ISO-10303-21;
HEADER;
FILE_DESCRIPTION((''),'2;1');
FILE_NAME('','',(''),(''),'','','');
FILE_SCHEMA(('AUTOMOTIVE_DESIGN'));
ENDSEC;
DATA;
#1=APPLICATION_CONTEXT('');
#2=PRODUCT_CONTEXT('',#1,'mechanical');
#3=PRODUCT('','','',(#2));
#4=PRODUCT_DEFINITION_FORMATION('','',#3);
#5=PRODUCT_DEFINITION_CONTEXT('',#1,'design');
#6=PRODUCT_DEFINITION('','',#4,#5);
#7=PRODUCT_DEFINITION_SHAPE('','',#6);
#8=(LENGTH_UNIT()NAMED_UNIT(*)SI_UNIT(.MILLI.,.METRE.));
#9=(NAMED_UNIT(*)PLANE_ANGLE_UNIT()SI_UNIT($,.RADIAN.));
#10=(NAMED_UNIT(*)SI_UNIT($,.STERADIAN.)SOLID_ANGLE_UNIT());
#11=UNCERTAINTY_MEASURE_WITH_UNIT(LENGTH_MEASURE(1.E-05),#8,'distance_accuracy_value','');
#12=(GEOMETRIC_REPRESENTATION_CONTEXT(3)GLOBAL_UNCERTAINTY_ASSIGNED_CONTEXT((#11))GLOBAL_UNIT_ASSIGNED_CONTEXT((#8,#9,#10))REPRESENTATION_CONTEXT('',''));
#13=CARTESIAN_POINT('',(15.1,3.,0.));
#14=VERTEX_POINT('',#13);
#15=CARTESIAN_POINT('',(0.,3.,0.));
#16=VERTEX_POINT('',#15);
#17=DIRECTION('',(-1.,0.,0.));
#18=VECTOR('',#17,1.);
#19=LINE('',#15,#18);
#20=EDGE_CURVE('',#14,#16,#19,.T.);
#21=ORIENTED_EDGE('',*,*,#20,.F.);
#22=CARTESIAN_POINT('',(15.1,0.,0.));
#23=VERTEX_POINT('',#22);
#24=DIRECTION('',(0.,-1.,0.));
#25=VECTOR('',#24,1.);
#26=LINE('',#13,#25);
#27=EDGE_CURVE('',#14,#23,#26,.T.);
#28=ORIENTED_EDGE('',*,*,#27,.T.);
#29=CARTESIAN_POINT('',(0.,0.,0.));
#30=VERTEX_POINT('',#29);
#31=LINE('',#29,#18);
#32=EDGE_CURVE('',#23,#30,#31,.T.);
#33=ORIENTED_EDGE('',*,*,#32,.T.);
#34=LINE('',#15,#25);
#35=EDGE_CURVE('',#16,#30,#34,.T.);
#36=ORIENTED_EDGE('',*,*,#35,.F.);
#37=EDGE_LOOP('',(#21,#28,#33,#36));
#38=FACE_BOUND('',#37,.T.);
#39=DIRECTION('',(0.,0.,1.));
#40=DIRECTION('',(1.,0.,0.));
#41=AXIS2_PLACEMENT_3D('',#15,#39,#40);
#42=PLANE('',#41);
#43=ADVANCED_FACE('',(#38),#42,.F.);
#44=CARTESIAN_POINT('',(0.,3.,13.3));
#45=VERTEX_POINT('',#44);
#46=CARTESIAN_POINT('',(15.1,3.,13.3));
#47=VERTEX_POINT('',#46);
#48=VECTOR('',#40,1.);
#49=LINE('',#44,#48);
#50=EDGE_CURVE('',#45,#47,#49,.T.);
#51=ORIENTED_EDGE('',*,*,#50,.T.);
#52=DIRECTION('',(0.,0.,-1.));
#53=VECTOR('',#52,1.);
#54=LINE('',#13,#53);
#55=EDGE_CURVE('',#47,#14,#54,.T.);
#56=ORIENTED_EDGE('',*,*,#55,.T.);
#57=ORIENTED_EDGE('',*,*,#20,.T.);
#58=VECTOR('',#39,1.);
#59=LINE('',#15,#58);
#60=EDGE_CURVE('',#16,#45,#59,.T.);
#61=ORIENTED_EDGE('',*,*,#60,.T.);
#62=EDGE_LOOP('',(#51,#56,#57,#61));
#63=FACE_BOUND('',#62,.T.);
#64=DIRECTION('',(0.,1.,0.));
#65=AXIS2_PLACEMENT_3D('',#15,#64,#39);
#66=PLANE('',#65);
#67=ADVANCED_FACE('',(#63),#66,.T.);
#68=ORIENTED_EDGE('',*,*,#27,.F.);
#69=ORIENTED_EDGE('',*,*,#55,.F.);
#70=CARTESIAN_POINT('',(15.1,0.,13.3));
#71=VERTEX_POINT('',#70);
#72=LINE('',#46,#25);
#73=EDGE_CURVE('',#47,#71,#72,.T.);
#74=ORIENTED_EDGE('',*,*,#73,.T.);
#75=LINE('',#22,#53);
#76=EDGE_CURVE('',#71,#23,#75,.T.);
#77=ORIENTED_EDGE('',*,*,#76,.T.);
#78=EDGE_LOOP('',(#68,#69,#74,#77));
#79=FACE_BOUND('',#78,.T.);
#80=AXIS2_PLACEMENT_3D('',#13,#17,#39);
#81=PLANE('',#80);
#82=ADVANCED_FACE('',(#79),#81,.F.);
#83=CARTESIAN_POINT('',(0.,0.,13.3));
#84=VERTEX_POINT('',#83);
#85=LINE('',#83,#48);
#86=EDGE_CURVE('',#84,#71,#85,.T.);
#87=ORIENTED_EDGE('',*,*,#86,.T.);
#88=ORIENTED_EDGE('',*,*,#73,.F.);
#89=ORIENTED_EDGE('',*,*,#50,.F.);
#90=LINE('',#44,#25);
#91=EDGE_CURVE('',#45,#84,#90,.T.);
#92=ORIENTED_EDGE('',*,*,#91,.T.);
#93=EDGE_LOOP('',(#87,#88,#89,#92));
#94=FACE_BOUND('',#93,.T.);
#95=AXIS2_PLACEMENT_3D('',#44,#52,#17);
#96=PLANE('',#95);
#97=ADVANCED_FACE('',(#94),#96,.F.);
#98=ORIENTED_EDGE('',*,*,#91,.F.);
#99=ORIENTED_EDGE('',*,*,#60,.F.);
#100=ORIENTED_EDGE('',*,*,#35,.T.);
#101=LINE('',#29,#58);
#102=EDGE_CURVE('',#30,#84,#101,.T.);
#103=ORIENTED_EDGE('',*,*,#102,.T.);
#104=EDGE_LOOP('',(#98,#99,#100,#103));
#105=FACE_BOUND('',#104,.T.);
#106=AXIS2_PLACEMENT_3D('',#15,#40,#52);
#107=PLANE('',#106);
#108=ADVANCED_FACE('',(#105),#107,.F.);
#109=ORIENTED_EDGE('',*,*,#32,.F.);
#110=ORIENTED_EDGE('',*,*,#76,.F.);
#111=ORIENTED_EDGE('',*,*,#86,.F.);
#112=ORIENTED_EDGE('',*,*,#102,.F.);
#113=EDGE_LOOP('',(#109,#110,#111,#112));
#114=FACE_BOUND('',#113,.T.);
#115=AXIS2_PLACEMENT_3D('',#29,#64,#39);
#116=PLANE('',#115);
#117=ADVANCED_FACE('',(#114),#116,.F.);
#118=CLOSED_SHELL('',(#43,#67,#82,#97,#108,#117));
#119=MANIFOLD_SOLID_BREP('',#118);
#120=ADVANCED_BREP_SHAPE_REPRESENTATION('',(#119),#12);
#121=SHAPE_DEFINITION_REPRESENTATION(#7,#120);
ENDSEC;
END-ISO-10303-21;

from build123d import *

# Parameters (mm, degrees)
SKETCH1_W           = 15.1
SKETCH1_H           = 13.3
BOSS_EXTRUDE1_DEPTH = 3


with BuildPart() as part:
    # Sketch1 → Boss-Extrude1 (new body)
    with BuildSketch(Plane(origin=(0, 0, 0), x_dir=(1, 0, 0), z_dir=(0, 1, 0))):
        with Locations((7.55, -6.65)):
            Rectangle(SKETCH1_W, SKETCH1_H)
    extrude(amount=BOSS_EXTRUDE1_DEPTH)


solid = part.part
